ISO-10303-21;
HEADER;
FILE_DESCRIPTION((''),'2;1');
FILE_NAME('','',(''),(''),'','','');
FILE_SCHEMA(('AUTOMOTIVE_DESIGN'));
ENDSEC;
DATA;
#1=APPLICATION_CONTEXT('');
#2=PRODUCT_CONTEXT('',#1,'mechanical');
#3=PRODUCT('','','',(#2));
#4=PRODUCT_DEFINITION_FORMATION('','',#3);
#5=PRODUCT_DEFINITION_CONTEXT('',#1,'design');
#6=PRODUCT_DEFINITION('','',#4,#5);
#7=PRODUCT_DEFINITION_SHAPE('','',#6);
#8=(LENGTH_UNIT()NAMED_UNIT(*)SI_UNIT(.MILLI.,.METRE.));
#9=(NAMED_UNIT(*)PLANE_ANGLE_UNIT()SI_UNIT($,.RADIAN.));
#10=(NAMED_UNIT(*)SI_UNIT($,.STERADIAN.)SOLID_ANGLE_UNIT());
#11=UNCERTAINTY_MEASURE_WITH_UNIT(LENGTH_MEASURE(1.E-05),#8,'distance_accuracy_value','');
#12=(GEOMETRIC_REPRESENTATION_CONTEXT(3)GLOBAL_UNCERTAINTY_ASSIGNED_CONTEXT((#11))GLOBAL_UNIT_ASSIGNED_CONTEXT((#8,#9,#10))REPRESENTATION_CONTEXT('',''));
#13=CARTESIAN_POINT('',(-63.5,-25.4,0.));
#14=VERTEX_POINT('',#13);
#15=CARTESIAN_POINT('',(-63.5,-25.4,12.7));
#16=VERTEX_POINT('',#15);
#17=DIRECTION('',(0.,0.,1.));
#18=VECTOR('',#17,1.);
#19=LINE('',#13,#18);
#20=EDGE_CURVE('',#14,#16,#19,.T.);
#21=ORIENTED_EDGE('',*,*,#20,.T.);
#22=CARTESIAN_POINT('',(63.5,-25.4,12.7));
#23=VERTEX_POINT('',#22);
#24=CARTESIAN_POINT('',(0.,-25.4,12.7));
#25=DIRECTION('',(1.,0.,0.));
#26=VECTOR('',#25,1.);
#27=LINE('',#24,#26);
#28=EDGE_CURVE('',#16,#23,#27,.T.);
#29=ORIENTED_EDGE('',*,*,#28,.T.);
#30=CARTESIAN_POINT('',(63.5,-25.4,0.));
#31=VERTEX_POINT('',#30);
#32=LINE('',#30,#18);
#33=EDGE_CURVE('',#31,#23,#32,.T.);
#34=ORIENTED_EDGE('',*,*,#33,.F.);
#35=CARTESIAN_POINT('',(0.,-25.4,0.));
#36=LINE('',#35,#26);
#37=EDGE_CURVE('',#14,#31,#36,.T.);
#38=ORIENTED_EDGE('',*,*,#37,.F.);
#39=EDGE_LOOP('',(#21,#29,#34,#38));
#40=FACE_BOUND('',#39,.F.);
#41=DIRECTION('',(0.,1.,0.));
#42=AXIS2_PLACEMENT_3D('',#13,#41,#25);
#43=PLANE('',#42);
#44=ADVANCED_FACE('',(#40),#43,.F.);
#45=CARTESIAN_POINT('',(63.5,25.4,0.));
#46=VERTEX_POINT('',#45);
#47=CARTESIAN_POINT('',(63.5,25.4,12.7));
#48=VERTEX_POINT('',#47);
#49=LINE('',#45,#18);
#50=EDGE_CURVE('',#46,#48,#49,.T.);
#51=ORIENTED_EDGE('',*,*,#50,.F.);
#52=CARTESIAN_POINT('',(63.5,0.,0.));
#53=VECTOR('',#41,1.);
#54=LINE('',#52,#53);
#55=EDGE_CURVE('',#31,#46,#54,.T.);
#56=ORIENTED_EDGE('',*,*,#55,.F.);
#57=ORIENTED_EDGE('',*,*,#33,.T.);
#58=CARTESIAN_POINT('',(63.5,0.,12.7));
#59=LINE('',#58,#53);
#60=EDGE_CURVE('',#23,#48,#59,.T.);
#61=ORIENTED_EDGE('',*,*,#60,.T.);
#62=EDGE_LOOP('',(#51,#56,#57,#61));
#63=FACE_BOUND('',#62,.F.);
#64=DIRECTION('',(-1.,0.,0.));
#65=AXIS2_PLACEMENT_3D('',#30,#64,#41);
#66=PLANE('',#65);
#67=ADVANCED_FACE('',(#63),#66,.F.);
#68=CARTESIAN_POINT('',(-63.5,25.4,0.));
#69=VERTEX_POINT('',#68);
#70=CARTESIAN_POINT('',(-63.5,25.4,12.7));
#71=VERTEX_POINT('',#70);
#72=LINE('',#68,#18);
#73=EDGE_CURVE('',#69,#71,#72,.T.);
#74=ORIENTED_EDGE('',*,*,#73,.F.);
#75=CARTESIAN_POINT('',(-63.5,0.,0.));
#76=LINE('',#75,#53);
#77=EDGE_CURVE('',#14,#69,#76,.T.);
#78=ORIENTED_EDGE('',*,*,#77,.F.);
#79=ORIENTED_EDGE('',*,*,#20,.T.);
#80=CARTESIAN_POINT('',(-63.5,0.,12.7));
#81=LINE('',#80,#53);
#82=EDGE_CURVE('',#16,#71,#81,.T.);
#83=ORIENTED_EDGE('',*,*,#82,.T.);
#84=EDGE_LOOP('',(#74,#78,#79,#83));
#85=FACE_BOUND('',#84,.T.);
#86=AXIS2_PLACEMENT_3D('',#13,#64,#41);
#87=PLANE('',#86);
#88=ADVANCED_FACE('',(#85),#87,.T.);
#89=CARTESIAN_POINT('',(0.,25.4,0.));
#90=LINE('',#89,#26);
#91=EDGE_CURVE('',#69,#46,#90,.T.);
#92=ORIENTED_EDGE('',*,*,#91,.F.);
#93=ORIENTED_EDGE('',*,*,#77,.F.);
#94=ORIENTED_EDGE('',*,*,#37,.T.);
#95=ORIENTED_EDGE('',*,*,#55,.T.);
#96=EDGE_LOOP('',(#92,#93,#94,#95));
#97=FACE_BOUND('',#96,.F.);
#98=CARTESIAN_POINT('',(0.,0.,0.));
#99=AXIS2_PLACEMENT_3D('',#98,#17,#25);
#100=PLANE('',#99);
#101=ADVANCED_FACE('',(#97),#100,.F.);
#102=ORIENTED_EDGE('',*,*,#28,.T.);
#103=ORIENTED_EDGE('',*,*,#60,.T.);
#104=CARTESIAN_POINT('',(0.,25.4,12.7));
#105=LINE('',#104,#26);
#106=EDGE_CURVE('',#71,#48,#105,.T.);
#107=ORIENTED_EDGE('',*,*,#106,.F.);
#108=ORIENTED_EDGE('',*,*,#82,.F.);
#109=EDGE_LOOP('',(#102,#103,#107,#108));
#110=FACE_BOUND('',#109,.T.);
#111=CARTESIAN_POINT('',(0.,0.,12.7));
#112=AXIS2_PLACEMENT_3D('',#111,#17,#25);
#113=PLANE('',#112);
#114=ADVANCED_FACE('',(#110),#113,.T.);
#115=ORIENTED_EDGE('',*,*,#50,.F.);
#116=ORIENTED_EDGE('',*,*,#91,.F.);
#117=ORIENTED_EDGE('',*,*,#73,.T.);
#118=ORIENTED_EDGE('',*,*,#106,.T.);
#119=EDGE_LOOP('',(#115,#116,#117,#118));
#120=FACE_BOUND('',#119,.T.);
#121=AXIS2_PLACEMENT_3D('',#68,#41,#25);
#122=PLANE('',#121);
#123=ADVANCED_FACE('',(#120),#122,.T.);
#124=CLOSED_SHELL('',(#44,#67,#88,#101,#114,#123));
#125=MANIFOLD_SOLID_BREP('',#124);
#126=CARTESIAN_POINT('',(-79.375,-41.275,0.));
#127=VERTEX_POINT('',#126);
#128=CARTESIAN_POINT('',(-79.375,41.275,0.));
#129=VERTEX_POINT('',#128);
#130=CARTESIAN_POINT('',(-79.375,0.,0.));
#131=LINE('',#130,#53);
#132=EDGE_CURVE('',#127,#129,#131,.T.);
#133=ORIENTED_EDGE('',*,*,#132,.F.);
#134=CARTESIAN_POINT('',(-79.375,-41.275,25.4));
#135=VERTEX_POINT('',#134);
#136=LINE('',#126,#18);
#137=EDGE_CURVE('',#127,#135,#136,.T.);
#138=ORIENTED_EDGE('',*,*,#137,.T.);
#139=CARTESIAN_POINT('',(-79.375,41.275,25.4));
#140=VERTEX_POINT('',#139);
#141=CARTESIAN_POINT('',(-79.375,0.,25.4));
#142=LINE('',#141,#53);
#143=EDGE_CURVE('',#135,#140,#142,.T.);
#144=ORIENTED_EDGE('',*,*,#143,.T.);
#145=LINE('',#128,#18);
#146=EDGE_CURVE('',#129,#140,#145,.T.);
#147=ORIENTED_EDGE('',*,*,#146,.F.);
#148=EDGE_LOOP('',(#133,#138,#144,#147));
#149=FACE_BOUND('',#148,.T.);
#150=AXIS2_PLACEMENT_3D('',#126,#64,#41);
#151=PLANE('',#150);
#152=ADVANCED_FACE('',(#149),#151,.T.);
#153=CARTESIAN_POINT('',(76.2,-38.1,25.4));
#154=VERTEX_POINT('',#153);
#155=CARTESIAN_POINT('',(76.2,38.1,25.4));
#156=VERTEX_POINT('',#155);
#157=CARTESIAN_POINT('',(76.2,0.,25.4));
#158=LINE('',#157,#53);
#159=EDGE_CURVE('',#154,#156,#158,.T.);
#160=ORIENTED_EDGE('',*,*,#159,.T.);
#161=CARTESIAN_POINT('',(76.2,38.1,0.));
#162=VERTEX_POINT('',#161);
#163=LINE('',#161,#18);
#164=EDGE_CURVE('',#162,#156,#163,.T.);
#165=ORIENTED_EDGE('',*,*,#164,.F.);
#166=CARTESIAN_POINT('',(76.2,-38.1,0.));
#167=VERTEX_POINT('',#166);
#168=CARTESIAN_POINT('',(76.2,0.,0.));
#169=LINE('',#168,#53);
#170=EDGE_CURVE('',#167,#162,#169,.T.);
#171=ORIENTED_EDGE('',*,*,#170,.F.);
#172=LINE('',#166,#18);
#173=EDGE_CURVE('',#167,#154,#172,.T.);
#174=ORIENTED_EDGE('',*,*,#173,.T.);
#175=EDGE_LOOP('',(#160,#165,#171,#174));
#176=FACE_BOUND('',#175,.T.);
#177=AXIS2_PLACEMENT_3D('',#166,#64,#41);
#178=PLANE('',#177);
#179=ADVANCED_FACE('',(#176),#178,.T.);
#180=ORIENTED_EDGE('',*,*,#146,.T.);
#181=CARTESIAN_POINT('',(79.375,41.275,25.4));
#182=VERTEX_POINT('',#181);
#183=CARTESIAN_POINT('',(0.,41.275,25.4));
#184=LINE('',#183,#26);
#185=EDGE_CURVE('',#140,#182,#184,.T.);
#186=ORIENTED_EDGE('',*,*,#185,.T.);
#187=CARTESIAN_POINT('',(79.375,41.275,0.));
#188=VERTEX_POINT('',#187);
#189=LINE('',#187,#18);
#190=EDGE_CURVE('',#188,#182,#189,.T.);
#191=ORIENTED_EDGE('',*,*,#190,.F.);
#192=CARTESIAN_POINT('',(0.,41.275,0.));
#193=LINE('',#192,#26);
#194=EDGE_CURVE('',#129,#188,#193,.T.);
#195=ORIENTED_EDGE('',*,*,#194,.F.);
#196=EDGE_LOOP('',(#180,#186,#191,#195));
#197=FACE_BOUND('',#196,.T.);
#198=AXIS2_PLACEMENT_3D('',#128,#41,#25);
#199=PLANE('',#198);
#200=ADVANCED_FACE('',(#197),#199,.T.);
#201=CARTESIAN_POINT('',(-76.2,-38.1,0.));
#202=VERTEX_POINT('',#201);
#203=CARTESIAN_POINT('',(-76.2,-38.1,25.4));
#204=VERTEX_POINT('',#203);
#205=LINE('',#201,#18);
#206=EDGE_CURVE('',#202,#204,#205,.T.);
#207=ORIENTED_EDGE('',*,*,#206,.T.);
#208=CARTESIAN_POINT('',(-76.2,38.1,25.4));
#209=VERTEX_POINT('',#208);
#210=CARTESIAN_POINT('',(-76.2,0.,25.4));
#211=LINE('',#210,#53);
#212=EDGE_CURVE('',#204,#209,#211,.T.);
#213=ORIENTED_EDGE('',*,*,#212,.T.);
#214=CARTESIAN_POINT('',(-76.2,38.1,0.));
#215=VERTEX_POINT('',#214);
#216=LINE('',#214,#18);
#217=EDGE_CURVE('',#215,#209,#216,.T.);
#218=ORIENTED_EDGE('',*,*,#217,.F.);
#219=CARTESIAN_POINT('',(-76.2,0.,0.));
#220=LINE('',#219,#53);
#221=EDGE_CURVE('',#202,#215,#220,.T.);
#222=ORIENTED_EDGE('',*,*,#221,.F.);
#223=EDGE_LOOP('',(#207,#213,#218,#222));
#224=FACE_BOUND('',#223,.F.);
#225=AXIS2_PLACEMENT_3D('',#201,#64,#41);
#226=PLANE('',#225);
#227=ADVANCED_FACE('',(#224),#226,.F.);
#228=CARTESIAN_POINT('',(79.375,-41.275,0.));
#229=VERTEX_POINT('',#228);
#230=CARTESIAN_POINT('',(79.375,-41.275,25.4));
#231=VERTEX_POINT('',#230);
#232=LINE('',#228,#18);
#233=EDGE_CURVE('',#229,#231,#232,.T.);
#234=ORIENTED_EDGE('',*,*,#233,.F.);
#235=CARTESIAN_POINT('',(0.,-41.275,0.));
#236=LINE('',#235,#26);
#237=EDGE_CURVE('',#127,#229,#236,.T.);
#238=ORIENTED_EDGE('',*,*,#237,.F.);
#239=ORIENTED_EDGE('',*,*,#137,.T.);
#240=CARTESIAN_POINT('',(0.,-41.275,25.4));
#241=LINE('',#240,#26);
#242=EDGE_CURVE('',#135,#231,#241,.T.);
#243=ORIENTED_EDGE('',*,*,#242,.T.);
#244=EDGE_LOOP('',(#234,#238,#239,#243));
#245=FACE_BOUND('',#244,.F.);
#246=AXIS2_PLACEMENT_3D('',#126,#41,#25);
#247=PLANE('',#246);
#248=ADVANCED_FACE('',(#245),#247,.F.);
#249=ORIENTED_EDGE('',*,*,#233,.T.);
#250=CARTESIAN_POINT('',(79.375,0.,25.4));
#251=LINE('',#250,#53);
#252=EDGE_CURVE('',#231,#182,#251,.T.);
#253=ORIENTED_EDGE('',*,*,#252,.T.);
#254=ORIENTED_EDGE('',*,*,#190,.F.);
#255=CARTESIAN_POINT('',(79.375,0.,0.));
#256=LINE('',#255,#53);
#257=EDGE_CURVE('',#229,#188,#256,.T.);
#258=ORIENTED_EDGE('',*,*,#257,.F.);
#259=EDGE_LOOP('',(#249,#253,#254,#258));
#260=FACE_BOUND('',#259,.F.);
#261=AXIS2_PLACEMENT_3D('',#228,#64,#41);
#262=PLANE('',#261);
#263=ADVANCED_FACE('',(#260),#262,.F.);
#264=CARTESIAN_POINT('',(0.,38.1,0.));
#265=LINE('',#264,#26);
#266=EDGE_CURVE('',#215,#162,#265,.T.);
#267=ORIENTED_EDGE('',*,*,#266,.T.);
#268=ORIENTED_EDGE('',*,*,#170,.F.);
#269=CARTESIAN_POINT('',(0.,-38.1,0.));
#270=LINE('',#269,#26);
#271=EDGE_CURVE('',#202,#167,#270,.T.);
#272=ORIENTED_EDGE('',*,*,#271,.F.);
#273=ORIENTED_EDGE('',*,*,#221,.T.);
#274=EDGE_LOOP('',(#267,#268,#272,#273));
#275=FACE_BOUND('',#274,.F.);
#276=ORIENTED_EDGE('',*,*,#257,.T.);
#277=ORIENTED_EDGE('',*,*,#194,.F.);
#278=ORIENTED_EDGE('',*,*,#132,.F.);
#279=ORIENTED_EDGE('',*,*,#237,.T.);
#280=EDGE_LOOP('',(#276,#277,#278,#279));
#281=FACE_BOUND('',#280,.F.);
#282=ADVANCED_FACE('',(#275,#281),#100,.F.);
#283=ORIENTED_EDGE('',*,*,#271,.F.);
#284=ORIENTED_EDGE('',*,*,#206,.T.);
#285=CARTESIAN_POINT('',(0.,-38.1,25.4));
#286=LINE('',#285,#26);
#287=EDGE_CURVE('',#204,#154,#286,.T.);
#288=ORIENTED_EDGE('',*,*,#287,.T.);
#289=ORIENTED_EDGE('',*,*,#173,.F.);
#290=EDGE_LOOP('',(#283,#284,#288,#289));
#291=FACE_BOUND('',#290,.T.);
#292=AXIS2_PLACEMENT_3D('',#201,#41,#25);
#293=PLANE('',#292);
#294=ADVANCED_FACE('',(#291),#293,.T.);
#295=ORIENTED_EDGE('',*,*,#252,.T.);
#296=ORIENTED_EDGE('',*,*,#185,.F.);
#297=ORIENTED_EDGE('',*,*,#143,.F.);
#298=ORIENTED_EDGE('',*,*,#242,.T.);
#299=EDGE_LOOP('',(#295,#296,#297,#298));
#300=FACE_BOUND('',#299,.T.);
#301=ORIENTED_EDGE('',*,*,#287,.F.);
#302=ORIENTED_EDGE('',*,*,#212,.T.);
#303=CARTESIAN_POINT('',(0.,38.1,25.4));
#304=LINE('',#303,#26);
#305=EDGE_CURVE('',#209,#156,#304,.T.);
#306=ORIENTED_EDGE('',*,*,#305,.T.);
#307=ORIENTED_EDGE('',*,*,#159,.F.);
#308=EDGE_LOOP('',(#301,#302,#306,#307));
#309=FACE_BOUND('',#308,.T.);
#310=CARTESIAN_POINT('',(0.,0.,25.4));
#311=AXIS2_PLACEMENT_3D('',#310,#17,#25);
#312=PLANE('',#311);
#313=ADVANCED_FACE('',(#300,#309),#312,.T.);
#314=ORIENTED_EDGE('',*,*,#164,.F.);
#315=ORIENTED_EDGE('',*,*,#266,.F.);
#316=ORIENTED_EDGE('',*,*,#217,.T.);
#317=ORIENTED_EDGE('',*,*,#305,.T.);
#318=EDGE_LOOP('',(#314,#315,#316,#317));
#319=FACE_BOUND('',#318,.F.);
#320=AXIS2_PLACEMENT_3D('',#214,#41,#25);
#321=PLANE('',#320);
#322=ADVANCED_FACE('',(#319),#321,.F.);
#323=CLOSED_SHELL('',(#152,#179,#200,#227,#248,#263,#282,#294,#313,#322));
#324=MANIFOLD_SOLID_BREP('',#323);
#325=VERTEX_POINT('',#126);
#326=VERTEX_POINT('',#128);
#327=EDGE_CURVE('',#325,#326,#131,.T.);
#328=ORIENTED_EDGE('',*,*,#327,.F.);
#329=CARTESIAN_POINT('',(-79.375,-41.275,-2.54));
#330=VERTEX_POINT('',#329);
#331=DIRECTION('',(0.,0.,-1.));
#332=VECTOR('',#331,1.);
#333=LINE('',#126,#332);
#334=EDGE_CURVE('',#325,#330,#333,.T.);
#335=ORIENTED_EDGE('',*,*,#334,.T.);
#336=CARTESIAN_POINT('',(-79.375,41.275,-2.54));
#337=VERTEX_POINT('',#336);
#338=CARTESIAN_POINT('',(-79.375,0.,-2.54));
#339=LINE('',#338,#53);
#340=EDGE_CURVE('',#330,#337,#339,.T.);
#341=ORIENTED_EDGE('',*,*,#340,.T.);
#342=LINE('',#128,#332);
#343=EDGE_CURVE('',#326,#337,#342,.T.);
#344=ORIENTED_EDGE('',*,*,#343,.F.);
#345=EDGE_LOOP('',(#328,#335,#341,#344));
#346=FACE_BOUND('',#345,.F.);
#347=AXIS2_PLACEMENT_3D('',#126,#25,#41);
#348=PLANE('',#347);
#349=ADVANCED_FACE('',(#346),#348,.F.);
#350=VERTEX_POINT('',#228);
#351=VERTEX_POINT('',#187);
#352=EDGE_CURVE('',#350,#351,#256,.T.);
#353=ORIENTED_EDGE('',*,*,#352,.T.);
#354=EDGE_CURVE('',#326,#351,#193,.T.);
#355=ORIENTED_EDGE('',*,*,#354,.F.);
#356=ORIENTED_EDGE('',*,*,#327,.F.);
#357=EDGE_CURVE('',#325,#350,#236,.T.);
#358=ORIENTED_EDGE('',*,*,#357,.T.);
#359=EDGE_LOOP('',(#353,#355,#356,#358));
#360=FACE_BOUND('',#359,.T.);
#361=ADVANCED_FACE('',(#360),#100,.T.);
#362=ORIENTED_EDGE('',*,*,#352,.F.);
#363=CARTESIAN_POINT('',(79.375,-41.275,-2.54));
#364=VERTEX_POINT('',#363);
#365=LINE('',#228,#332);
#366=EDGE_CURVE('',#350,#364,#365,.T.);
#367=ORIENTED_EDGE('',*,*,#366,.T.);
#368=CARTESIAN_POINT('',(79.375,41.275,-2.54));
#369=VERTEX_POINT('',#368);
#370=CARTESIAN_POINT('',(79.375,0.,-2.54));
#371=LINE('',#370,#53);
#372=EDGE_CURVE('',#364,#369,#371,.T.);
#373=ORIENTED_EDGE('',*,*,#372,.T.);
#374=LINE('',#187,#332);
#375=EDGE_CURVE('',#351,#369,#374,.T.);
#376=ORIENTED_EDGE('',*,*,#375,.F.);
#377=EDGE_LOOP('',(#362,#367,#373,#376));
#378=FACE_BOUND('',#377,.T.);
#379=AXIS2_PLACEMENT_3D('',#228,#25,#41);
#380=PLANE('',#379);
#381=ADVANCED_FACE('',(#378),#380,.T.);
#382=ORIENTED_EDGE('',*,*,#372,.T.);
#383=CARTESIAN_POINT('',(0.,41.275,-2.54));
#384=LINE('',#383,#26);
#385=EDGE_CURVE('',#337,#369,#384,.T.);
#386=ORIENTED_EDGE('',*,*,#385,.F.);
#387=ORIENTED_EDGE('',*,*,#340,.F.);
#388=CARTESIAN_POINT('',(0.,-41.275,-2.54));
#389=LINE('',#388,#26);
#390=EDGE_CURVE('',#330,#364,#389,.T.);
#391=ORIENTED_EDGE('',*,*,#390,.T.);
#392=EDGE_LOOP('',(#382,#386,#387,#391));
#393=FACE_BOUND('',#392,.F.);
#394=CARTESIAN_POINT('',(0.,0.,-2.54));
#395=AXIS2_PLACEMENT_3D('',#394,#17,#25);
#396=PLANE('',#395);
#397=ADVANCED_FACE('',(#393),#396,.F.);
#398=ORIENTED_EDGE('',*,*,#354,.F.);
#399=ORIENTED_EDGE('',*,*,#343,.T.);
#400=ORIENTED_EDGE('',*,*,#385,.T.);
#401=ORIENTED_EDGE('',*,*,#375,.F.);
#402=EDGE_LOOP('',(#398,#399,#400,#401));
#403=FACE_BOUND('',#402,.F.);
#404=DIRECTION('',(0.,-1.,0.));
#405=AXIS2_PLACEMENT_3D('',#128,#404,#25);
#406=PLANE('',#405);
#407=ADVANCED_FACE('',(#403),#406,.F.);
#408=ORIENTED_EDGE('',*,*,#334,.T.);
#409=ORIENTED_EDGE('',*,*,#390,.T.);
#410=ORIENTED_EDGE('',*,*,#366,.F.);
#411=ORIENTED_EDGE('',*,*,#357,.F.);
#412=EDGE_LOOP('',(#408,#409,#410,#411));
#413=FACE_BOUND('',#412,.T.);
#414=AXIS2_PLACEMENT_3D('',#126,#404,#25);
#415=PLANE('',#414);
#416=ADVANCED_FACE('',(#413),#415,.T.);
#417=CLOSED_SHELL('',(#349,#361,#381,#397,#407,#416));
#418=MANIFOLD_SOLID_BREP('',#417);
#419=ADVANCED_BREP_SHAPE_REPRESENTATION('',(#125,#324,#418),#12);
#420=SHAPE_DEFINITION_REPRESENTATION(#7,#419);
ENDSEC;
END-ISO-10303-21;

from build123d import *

# Parameters (mm, degrees)
F0_W     = 158.75
F0_H     = 82.55
F0_W_2   = 152.4
F0_H_2   = 76.2
F1_DEPTH = 25.4
F0_W_3   = 127
F0_H_3   = 50.8
F2_DEPTH = 12.7
F3_W     = 158.75
F3_H     = 82.55
F4_DEPTH = 2.54


with BuildPart() as f1:
    # F0 (on Top) → F1 (new body)
    with BuildSketch(Plane.XY):
        Rectangle(F0_W, F0_H)
        Rectangle(F0_W_2, F0_H_2, mode=Mode.SUBTRACT)
    extrude(amount=F1_DEPTH)


with BuildPart() as f2:
    # F0 (on Top) → F2 (new body)
    with BuildSketch(Plane.XY):
        Rectangle(F0_W_3, F0_H_3)
    extrude(amount=F2_DEPTH)


with BuildPart() as f4:
    # F3 (on Top) → F4 (new body)
    with BuildSketch(Plane.XY):
        Rectangle(F3_W, F3_H)
    extrude(amount=-F4_DEPTH)


solid = Compound([f1.part, f2.part, f4.part])
